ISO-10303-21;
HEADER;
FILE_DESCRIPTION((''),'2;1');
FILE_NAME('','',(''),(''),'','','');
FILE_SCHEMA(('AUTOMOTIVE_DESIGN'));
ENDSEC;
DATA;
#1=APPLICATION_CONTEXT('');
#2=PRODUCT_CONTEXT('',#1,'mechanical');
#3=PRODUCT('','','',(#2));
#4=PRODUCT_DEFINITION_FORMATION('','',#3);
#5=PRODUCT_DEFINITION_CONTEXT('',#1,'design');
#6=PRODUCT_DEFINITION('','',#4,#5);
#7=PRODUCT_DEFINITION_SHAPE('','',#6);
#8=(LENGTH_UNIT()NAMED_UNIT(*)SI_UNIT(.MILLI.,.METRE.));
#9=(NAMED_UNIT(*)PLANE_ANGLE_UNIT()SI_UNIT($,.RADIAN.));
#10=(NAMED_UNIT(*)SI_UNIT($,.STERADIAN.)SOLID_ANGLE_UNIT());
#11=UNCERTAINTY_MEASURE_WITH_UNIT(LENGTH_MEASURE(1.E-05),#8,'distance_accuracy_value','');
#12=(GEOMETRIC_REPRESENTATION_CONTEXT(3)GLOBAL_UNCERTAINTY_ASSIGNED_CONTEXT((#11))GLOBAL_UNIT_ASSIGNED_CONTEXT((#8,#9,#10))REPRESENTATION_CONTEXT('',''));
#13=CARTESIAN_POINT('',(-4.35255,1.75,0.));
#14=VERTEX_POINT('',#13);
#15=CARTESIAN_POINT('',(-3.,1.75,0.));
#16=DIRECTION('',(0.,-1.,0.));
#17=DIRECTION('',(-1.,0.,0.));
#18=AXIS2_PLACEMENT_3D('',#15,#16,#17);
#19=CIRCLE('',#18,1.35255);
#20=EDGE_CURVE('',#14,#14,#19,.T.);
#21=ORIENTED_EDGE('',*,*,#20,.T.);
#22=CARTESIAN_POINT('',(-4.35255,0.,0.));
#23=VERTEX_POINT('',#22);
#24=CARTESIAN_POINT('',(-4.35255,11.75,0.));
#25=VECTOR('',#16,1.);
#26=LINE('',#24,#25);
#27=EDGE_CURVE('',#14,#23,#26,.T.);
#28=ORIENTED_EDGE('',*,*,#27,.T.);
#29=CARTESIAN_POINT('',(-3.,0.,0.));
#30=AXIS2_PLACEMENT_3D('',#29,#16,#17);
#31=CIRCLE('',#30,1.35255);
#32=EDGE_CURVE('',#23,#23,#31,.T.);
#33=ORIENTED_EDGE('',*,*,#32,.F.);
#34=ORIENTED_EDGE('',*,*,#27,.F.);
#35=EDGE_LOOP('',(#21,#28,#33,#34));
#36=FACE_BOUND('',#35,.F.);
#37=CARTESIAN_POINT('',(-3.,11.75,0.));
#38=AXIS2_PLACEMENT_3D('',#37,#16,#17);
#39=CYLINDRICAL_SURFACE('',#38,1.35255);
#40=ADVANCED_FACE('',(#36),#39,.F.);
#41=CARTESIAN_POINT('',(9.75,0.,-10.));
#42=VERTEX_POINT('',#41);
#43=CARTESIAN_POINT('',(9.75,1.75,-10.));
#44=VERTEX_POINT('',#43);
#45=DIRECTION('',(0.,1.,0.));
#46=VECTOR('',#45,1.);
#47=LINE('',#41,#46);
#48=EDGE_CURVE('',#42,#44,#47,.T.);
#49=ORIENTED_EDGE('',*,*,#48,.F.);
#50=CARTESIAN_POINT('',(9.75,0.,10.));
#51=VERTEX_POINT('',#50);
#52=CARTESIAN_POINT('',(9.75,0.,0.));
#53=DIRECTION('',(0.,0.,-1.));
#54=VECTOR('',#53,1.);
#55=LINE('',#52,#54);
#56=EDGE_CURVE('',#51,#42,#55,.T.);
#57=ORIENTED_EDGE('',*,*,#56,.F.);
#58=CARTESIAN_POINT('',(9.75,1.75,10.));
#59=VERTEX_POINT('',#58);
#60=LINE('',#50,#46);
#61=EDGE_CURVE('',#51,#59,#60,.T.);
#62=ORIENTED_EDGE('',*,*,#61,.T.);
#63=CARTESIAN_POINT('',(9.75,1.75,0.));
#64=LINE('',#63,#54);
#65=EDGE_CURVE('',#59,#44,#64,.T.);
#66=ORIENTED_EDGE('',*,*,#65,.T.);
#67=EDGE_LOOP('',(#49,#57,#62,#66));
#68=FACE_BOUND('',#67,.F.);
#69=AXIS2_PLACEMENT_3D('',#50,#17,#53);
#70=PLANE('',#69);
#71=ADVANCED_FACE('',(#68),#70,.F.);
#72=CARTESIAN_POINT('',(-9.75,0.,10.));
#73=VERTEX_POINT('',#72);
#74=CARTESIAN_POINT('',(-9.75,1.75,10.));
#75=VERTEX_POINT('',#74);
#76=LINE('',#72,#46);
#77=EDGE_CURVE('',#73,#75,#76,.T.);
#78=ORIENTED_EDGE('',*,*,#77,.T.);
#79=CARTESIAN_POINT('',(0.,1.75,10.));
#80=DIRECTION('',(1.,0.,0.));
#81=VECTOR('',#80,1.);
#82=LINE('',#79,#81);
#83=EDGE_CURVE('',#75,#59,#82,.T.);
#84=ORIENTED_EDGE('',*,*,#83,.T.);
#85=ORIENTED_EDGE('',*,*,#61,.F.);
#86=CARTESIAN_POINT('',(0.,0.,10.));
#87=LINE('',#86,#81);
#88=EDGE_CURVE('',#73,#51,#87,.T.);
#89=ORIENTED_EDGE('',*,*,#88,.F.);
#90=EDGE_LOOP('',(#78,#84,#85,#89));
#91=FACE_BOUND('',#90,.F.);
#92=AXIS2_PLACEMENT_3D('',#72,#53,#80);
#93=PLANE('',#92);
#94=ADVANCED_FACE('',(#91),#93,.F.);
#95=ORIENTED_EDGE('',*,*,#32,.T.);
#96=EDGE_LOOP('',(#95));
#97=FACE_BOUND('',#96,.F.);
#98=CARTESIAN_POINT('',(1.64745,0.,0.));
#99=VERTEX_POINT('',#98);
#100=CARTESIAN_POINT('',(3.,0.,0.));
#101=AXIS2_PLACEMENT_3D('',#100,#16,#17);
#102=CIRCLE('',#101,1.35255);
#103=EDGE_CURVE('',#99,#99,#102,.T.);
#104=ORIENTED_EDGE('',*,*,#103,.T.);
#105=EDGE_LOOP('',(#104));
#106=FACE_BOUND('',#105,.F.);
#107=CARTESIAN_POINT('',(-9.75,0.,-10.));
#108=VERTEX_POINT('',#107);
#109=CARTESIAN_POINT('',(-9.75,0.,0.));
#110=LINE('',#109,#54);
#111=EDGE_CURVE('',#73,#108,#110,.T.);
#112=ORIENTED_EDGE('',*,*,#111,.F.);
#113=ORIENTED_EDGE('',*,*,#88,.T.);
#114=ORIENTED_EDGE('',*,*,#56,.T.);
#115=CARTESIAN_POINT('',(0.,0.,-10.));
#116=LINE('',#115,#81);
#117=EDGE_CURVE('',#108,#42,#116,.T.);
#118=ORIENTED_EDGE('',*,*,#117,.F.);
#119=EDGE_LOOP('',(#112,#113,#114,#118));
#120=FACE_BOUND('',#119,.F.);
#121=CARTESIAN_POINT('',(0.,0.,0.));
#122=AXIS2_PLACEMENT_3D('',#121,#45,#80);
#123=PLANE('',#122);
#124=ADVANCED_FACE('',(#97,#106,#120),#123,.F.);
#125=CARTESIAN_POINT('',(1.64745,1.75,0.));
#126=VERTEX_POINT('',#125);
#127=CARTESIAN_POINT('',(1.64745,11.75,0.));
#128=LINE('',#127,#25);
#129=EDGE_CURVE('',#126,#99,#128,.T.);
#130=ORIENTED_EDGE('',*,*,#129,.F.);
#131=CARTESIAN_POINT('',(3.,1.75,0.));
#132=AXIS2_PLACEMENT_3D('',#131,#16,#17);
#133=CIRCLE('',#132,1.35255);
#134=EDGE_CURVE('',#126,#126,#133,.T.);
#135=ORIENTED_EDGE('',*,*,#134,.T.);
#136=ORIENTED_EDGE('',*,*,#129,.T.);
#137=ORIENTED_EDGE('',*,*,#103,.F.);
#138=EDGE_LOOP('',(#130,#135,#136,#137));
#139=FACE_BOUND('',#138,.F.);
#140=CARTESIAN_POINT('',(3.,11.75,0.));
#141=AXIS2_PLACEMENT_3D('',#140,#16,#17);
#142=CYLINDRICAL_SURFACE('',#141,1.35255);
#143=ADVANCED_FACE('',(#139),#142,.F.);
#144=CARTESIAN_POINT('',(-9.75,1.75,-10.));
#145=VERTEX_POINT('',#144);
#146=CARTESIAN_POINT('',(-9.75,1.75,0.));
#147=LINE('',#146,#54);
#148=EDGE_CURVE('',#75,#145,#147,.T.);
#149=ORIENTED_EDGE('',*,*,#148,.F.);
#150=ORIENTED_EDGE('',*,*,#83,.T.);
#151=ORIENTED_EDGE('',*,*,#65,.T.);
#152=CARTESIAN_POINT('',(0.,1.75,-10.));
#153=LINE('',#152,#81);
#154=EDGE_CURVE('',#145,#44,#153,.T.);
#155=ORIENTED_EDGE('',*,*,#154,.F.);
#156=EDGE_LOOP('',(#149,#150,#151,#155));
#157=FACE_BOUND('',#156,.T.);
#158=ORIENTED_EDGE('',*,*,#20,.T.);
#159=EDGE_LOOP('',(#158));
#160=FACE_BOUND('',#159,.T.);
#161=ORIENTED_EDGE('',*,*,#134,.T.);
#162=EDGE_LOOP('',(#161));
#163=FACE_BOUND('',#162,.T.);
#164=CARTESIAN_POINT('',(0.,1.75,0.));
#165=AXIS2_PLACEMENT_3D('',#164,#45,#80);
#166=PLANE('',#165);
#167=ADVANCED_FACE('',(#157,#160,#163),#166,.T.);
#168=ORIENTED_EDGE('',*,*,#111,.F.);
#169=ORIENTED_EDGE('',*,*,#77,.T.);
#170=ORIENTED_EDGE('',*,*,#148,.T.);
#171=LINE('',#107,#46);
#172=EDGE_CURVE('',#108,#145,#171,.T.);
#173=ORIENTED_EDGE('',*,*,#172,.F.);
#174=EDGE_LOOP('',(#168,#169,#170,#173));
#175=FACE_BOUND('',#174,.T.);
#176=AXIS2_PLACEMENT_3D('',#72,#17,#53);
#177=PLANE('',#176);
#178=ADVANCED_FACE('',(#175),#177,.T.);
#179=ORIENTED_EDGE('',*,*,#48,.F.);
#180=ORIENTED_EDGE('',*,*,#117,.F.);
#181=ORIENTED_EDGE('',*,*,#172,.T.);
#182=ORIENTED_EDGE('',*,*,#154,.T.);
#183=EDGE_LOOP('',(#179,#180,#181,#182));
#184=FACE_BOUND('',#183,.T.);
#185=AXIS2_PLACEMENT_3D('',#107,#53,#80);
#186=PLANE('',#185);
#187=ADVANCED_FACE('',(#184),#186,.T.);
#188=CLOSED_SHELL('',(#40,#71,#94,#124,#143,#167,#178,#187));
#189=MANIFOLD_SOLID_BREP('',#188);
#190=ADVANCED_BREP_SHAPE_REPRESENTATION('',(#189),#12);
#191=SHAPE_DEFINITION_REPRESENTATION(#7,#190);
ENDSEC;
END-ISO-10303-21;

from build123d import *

# Parameters (mm, degrees)
SKETCH1_W                     = 19.5
SKETCH1_H                     = 20
BOSS_EXTRUDE1_DEPTH           = 1.75
TAP_DRILL_FOR_6_32_TAP1_D     = 2.7051
TAP_DRILL_FOR_6_32_TAP1_DEPTH = 10
TAP_DRILL_FOR_6_32_TAP1_TIP   = 0.81269403


with BuildPart() as part:
    # Sketch1 → Boss-Extrude1 (new body)
    with BuildSketch(Plane(origin=(0, 0, 0), x_dir=(1, 0, 0), z_dir=(0, 1, 0))):
        Rectangle(SKETCH1_W, SKETCH1_H)
    extrude(amount=BOSS_EXTRUDE1_DEPTH)

    # Tap Drill for #6-32 Tap1
    with Locations(Plane(origin=(0, 1.75, 0), x_dir=(1, 0, 0), z_dir=(0, 1, 0))):
        with Locations((3, 0), (-3, 0)):
            Hole(TAP_DRILL_FOR_6_32_TAP1_D / 2, depth=TAP_DRILL_FOR_6_32_TAP1_DEPTH)
            with Locations((0, 0, -(TAP_DRILL_FOR_6_32_TAP1_DEPTH + TAP_DRILL_FOR_6_32_TAP1_TIP / 2))):  # 118° drill point
                Cone(0, TAP_DRILL_FOR_6_32_TAP1_D / 2, TAP_DRILL_FOR_6_32_TAP1_TIP, mode=Mode.SUBTRACT)


solid = part.part
